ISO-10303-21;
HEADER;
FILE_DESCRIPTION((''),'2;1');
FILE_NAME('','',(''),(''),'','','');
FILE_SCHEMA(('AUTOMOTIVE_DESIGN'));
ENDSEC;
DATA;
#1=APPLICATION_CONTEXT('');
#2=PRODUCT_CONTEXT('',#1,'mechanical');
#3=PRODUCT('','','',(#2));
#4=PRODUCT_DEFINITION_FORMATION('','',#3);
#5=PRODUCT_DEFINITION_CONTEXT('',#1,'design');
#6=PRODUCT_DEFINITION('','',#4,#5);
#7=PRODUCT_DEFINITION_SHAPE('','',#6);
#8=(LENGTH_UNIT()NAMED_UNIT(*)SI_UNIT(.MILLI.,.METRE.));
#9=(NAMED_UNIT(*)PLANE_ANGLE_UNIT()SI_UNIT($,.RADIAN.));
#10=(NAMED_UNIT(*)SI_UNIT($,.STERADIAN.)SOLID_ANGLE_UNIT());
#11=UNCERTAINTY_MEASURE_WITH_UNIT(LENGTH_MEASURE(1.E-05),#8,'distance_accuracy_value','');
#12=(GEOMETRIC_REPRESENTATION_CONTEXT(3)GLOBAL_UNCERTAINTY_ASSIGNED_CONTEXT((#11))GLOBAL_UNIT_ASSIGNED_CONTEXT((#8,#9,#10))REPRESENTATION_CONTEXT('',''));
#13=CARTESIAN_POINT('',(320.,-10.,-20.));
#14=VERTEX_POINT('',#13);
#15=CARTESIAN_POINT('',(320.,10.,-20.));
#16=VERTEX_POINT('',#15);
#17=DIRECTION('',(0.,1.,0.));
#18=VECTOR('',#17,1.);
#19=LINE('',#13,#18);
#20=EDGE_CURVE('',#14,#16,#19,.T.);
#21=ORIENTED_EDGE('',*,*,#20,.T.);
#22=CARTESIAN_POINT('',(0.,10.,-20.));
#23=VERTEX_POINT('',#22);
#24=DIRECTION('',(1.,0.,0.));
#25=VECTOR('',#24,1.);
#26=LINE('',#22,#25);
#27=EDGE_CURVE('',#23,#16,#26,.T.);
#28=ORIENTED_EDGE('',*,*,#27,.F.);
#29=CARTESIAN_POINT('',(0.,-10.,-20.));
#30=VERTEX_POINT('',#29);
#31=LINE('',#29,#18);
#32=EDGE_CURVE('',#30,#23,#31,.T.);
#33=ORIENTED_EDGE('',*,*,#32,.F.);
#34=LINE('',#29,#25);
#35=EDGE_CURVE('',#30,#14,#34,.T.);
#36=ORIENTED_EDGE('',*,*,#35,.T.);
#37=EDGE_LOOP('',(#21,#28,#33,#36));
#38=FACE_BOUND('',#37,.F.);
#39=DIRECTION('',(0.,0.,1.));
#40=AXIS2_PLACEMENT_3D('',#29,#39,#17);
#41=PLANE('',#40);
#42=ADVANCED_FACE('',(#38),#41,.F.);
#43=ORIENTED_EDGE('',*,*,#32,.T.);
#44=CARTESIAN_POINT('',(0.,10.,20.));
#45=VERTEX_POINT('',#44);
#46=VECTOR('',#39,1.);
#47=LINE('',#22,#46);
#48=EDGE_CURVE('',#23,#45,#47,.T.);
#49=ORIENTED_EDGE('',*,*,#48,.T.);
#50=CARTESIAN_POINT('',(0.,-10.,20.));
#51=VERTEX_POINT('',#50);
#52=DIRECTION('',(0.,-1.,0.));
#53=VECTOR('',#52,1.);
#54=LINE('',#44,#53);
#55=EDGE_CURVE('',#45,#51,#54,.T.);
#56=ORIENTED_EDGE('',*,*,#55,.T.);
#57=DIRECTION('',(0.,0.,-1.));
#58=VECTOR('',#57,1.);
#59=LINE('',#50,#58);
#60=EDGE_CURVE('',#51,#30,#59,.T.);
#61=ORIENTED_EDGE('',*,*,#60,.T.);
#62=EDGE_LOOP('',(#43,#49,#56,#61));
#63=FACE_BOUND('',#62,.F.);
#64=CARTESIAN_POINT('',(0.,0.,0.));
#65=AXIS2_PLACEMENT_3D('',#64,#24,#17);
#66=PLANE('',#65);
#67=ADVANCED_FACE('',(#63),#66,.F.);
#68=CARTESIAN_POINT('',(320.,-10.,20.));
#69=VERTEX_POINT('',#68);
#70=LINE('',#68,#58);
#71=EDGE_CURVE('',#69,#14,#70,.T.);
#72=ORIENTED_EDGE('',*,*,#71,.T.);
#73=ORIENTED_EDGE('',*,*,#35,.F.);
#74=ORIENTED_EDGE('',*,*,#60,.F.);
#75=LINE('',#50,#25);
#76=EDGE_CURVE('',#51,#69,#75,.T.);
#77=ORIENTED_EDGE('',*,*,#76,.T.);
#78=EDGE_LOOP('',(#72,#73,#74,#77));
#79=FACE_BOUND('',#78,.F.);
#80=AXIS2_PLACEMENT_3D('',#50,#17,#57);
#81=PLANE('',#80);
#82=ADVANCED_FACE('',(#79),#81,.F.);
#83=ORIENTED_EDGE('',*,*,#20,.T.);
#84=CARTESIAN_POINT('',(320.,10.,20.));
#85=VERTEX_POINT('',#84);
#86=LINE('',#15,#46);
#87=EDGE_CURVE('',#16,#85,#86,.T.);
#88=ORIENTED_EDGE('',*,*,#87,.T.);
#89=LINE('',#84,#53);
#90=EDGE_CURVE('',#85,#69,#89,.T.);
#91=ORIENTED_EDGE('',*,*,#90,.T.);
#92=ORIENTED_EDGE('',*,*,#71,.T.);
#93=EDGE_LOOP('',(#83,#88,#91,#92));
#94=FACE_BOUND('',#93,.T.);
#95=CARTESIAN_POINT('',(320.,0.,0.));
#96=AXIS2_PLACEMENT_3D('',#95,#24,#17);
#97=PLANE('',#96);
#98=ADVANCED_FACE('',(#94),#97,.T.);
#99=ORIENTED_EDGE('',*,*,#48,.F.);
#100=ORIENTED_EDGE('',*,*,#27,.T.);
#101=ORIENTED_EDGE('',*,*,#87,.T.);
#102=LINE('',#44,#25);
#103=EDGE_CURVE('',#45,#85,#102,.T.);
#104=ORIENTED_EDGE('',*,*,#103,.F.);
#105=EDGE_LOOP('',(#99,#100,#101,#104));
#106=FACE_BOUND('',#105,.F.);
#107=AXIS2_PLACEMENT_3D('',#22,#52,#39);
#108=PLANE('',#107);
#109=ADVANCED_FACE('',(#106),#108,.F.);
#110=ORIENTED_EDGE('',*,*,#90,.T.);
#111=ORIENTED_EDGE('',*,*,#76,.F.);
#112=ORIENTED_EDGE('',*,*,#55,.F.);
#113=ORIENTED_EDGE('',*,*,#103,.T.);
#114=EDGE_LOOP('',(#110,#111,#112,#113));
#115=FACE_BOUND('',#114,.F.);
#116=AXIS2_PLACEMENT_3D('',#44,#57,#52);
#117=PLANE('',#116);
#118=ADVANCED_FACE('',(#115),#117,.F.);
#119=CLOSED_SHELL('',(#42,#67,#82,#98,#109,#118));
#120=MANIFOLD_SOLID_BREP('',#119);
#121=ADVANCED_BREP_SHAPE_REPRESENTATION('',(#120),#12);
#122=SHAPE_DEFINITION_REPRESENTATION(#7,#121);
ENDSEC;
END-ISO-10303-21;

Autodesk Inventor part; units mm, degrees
ref_plane "YZ Plane" through (0, 0, 0) normal (1, 0, 0) x (0, 1, 0)
ref_plane "XZ Plane" through (0, 0, 0) normal (0, 1, 0) x (-1, 0, 0)
ref_plane "XY Plane" through (0, 0, 0) normal (0, 0, 1) x (1, 0, 0)
sketch "Skizze2" plane through (0, 0, 0) normal (1, 0, 0) x (0, 1, 0)
  line L0 (-10, -20) -> (10, -20)
  line L1 (10, -20) -> (10, 20)
  line L2 (10, 20) -> (-10, 20)
  line L3 (-10, 20) -> (-10, -20)
  line L4 (-10, -20) -> (10, 20) construction
  line L5 (10, -20) -> (-10, 20) construction
  point P0 (0, 0)
  dimension "d4" = 20
  dimension "d5" = 40
extrude "Extrusion2" add sketch "Skizze2" along normal blind 320
properties part number "HFS5-2040-320" material "EN AC-51400-T5 Equiv."
